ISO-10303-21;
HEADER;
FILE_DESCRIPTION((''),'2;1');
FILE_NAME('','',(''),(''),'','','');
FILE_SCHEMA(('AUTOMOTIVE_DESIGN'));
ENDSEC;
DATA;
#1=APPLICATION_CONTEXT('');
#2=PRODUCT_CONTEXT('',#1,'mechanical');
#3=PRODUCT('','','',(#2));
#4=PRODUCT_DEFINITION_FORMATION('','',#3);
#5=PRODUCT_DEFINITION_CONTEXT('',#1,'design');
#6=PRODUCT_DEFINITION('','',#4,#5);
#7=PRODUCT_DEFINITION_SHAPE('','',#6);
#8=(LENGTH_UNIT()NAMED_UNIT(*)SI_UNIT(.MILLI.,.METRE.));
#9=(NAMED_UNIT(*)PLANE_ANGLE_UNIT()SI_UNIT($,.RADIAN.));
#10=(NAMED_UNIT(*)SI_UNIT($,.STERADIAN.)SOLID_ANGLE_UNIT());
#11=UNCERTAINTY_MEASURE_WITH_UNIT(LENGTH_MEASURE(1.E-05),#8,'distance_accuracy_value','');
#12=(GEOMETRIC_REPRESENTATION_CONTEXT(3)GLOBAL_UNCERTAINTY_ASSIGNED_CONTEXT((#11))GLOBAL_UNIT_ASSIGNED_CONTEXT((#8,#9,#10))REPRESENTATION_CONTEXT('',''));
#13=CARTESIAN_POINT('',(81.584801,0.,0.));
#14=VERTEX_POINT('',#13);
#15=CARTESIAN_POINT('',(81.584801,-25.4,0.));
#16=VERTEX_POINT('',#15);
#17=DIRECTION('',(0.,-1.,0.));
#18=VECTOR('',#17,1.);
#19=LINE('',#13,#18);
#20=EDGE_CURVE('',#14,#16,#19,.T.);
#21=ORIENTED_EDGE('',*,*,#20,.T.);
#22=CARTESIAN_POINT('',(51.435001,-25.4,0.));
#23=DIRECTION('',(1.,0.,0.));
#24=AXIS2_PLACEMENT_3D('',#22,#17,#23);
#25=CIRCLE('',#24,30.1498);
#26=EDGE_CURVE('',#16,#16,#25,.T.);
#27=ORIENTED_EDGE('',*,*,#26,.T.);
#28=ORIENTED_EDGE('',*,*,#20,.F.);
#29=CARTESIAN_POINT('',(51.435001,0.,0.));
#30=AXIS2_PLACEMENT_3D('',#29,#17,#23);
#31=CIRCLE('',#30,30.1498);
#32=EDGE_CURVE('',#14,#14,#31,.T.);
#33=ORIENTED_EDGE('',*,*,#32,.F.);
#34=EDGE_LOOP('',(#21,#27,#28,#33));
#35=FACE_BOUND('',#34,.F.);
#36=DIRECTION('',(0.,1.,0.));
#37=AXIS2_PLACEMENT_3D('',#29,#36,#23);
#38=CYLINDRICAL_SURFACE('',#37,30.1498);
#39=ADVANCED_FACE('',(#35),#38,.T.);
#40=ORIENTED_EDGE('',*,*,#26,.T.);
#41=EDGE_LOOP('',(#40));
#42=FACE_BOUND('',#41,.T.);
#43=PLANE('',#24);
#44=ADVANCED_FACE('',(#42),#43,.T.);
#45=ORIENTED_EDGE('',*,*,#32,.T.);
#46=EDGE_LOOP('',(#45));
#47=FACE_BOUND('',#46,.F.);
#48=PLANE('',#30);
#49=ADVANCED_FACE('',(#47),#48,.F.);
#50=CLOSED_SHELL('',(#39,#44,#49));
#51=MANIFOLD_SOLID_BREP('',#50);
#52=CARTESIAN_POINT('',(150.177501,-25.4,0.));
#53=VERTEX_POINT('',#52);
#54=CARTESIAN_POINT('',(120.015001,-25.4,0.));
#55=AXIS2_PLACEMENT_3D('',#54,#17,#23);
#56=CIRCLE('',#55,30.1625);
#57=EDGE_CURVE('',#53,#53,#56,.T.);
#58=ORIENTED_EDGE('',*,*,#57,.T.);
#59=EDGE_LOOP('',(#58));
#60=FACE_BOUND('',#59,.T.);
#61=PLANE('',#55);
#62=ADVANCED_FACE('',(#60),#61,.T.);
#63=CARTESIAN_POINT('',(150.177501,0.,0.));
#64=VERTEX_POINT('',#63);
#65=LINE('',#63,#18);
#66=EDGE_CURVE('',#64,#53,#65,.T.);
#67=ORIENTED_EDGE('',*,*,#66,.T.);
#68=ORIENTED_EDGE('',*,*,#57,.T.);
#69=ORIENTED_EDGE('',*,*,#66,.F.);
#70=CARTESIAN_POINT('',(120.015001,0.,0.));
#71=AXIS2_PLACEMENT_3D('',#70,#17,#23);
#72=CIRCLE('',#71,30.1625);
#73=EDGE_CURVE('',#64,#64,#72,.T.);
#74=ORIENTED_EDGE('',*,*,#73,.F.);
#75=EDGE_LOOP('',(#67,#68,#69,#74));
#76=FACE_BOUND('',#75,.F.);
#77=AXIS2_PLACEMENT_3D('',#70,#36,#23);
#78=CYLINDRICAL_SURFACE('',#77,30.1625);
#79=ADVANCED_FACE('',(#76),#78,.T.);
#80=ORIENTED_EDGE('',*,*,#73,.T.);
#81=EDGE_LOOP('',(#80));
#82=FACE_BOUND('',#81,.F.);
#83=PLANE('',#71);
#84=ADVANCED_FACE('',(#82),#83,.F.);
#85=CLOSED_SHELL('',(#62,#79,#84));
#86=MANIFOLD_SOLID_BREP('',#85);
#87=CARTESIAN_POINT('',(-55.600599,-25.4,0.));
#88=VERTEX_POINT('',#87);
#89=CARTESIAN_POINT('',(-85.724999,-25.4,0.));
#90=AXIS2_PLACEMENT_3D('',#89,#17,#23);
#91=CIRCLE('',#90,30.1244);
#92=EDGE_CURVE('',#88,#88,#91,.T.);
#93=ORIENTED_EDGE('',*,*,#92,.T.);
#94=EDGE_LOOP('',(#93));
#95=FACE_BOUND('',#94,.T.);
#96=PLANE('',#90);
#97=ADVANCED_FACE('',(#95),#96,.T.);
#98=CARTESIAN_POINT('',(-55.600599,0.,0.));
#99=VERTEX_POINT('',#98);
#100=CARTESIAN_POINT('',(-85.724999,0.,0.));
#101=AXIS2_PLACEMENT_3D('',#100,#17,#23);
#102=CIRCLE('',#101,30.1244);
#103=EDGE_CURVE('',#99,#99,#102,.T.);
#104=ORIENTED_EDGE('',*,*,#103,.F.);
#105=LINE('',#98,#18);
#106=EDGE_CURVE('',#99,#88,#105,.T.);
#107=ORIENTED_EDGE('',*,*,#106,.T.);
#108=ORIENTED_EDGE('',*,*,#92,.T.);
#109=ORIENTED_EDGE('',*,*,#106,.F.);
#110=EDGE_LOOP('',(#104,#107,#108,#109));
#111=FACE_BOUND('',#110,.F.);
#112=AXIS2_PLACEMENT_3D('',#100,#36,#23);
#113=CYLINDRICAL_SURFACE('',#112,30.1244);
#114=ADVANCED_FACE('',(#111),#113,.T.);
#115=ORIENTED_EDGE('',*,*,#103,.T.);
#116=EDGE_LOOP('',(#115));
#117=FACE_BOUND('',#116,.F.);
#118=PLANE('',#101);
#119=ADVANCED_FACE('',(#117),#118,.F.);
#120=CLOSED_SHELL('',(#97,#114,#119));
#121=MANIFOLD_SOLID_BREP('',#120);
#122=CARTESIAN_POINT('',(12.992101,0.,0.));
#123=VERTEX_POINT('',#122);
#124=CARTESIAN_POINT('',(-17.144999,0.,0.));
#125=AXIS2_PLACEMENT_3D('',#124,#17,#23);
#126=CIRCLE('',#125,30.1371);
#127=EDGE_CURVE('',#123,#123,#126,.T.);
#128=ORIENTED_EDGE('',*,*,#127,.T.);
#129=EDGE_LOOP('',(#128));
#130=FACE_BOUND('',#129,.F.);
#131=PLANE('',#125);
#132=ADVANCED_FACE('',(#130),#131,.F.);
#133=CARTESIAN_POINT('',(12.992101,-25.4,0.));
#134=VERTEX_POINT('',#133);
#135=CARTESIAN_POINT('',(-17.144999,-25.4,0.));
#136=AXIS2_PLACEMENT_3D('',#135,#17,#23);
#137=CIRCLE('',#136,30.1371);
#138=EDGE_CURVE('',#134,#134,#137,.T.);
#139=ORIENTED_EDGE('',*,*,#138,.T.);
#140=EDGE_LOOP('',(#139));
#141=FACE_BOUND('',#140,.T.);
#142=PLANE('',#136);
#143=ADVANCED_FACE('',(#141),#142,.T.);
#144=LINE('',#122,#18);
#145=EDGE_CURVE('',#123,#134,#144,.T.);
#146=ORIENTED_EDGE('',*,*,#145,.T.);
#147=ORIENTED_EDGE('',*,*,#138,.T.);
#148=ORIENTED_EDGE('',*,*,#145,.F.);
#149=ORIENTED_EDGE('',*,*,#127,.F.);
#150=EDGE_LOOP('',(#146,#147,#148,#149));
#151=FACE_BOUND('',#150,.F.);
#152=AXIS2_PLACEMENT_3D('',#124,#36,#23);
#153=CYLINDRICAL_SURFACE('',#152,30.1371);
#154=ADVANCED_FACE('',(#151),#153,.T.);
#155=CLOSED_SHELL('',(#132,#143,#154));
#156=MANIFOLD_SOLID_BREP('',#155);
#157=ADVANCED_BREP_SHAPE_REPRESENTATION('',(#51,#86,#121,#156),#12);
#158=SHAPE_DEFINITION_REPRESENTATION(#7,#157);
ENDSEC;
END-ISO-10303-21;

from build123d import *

# Parameters (mm, degrees)
F0_R     = 30.1244
F0_R_2   = 30.1371
F0_R_3   = 30.1498
F0_R_4   = 30.1625
F1_DEPTH = 25.4


with BuildPart() as f1:
    # F0 (on Front) → F1 (new body)
    with BuildSketch(Plane.XZ):
        with Locations((-85.724999, 0)):
            Circle(F0_R)
        with Locations((-17.144999, 0)):
            Circle(F0_R_2)
        with Locations((51.435001, 0)):
            Circle(F0_R_3)
        with Locations((120.015001, 0)):
            Circle(F0_R_4)
    extrude(amount=F1_DEPTH)


solid = f1.part
